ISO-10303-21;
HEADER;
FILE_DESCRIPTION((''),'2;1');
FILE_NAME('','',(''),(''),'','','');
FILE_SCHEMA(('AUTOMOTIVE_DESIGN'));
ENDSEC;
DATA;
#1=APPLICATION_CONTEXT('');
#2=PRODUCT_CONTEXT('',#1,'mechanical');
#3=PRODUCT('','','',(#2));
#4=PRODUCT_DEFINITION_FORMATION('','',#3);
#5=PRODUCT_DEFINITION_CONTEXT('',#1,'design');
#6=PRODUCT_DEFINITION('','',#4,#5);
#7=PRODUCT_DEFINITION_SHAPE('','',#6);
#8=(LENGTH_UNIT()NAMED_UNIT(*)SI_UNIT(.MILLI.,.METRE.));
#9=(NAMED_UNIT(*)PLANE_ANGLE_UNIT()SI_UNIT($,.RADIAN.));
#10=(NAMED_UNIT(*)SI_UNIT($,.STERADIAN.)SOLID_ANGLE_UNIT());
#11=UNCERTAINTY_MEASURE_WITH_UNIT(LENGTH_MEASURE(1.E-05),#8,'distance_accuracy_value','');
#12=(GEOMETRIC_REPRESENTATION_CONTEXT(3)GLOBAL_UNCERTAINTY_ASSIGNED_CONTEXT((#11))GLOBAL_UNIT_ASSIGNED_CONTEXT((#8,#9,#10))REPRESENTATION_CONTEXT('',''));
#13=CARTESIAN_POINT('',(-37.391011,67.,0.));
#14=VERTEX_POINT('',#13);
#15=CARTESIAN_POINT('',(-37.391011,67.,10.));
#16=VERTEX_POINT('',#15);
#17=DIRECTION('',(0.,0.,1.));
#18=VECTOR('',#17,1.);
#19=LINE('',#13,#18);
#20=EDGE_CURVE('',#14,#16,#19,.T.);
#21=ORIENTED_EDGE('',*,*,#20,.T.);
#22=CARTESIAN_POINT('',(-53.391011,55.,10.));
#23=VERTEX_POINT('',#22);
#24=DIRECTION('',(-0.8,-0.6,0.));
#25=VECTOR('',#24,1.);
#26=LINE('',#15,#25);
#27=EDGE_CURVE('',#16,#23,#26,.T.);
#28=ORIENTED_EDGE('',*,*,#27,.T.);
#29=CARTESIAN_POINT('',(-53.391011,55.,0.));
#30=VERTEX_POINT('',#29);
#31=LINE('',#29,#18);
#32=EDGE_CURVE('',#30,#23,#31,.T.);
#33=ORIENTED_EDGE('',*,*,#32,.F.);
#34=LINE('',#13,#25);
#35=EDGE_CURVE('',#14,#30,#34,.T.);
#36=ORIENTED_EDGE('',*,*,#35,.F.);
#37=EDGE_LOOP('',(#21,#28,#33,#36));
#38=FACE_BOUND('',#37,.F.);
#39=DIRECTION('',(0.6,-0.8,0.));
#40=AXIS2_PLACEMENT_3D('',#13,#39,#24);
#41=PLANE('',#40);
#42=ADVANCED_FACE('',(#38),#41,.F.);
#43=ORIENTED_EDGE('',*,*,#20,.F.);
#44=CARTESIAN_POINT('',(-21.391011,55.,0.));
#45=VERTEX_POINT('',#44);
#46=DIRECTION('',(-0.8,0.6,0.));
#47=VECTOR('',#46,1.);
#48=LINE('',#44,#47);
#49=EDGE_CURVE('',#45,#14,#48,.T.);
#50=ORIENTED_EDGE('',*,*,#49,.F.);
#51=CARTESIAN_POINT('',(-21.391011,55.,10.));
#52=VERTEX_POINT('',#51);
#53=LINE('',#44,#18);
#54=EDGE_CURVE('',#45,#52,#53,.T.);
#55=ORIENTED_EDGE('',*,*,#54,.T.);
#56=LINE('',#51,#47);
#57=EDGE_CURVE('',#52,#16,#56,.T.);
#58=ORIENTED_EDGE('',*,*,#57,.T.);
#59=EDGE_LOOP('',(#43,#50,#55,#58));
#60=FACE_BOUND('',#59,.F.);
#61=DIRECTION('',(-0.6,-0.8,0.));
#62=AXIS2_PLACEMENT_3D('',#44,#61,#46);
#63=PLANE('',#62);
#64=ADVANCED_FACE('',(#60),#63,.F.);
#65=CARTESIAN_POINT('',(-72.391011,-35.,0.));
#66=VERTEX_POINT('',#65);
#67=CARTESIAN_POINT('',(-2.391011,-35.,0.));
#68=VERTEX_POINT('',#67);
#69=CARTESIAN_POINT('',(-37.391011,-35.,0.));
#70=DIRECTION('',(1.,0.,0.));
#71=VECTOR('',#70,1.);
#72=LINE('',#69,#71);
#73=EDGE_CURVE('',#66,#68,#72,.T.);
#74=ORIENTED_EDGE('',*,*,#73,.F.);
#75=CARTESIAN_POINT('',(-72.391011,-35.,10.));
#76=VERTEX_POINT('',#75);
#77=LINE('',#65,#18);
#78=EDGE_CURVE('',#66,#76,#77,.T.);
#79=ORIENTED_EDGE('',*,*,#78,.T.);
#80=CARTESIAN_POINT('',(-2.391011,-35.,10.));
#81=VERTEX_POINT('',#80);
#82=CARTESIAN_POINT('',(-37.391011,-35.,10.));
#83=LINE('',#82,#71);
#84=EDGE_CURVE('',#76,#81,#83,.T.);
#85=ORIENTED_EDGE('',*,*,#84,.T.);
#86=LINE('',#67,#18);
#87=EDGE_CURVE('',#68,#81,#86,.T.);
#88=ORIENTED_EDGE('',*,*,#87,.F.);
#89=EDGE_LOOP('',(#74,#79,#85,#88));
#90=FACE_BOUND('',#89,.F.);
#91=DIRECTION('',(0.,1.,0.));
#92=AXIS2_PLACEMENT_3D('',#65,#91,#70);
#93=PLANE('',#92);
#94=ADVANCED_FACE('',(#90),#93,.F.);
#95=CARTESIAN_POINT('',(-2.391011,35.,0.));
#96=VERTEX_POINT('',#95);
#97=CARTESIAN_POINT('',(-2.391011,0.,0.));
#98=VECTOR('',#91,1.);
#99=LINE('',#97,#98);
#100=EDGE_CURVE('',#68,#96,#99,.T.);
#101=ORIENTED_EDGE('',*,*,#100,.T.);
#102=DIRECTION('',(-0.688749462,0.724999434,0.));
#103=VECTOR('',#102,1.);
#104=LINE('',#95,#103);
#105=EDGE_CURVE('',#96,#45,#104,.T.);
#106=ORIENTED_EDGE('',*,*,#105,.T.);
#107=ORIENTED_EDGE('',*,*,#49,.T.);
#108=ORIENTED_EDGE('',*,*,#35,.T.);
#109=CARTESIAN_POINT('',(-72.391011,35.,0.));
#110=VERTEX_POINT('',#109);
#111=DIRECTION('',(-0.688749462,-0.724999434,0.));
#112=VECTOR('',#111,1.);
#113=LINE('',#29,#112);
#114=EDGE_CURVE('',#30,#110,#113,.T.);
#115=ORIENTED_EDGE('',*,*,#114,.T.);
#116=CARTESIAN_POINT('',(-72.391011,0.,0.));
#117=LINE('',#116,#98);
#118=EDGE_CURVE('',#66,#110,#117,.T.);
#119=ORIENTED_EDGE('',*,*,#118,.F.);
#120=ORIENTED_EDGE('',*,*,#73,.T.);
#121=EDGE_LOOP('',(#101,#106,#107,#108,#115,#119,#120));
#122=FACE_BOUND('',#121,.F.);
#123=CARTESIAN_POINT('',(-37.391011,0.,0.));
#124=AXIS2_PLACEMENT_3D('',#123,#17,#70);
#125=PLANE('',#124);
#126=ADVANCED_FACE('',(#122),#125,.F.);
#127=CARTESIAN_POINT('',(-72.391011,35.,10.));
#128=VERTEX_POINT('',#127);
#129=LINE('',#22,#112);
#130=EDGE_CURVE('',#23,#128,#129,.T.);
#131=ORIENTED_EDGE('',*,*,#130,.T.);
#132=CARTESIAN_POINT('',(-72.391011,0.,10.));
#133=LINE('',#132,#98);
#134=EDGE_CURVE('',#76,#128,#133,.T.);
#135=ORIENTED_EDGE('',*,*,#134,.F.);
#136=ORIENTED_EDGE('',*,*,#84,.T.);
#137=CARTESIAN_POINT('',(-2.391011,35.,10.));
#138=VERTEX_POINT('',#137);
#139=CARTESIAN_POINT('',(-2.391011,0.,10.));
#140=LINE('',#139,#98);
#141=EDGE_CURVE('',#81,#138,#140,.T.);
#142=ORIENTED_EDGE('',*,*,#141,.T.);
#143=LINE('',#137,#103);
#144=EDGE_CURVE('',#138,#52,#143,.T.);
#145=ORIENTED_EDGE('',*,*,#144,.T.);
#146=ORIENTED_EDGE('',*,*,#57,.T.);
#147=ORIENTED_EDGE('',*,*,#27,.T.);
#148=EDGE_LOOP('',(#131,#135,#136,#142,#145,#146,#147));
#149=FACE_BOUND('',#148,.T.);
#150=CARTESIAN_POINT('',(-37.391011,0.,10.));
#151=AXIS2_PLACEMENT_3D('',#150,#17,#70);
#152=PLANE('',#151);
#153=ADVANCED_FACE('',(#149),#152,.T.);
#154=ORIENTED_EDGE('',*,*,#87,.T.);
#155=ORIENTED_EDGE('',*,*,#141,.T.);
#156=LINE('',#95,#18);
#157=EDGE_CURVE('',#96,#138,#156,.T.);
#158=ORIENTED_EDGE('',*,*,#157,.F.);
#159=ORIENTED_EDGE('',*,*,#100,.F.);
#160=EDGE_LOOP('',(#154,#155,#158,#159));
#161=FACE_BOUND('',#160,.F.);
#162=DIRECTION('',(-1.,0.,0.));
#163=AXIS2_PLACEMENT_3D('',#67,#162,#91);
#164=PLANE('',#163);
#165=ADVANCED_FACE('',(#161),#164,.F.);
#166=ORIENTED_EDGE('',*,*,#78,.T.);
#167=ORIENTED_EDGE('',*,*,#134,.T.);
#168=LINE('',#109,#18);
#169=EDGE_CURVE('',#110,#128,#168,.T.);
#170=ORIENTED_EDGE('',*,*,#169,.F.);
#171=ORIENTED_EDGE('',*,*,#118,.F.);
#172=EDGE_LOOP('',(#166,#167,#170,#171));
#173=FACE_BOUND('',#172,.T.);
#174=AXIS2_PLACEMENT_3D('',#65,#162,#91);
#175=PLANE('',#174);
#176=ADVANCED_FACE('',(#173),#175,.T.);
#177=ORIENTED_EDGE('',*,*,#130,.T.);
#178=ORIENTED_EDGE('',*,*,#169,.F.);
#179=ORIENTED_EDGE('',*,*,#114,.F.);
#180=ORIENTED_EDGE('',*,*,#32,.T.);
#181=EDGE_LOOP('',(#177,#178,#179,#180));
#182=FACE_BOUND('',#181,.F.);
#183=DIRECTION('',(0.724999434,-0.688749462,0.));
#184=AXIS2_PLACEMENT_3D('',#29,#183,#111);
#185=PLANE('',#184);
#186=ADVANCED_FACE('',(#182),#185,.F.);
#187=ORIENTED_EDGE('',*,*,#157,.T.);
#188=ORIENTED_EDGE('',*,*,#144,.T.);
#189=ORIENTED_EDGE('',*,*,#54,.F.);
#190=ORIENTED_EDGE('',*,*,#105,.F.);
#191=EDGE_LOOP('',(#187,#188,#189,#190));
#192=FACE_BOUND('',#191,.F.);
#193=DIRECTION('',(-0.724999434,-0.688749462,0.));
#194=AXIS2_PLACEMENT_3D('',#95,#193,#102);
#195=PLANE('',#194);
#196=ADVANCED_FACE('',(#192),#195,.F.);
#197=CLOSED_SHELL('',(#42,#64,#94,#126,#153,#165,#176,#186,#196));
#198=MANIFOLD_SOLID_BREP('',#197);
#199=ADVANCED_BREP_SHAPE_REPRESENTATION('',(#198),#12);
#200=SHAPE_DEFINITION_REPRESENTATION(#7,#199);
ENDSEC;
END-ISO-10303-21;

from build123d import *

# Parameters (mm, degrees)
F0_W     = 70
F0_H     = 70
F1_DEPTH = 10


with BuildPart() as f1:
    # F0 (on Top) → F1 (new body)
    with BuildSketch(Plane.XY):
        with Locations((-37.391011, 0)):
            Rectangle(F0_W, F0_H)
        Polygon((-72.391011, 35), (-2.391011, 35), (-21.391011, 55), (-53.391011, 55), align=None)
        Polygon((-53.391011, 55), (-21.391011, 55), (-37.391011, 67), align=None)
    extrude(amount=F1_DEPTH)


solid = f1.part
